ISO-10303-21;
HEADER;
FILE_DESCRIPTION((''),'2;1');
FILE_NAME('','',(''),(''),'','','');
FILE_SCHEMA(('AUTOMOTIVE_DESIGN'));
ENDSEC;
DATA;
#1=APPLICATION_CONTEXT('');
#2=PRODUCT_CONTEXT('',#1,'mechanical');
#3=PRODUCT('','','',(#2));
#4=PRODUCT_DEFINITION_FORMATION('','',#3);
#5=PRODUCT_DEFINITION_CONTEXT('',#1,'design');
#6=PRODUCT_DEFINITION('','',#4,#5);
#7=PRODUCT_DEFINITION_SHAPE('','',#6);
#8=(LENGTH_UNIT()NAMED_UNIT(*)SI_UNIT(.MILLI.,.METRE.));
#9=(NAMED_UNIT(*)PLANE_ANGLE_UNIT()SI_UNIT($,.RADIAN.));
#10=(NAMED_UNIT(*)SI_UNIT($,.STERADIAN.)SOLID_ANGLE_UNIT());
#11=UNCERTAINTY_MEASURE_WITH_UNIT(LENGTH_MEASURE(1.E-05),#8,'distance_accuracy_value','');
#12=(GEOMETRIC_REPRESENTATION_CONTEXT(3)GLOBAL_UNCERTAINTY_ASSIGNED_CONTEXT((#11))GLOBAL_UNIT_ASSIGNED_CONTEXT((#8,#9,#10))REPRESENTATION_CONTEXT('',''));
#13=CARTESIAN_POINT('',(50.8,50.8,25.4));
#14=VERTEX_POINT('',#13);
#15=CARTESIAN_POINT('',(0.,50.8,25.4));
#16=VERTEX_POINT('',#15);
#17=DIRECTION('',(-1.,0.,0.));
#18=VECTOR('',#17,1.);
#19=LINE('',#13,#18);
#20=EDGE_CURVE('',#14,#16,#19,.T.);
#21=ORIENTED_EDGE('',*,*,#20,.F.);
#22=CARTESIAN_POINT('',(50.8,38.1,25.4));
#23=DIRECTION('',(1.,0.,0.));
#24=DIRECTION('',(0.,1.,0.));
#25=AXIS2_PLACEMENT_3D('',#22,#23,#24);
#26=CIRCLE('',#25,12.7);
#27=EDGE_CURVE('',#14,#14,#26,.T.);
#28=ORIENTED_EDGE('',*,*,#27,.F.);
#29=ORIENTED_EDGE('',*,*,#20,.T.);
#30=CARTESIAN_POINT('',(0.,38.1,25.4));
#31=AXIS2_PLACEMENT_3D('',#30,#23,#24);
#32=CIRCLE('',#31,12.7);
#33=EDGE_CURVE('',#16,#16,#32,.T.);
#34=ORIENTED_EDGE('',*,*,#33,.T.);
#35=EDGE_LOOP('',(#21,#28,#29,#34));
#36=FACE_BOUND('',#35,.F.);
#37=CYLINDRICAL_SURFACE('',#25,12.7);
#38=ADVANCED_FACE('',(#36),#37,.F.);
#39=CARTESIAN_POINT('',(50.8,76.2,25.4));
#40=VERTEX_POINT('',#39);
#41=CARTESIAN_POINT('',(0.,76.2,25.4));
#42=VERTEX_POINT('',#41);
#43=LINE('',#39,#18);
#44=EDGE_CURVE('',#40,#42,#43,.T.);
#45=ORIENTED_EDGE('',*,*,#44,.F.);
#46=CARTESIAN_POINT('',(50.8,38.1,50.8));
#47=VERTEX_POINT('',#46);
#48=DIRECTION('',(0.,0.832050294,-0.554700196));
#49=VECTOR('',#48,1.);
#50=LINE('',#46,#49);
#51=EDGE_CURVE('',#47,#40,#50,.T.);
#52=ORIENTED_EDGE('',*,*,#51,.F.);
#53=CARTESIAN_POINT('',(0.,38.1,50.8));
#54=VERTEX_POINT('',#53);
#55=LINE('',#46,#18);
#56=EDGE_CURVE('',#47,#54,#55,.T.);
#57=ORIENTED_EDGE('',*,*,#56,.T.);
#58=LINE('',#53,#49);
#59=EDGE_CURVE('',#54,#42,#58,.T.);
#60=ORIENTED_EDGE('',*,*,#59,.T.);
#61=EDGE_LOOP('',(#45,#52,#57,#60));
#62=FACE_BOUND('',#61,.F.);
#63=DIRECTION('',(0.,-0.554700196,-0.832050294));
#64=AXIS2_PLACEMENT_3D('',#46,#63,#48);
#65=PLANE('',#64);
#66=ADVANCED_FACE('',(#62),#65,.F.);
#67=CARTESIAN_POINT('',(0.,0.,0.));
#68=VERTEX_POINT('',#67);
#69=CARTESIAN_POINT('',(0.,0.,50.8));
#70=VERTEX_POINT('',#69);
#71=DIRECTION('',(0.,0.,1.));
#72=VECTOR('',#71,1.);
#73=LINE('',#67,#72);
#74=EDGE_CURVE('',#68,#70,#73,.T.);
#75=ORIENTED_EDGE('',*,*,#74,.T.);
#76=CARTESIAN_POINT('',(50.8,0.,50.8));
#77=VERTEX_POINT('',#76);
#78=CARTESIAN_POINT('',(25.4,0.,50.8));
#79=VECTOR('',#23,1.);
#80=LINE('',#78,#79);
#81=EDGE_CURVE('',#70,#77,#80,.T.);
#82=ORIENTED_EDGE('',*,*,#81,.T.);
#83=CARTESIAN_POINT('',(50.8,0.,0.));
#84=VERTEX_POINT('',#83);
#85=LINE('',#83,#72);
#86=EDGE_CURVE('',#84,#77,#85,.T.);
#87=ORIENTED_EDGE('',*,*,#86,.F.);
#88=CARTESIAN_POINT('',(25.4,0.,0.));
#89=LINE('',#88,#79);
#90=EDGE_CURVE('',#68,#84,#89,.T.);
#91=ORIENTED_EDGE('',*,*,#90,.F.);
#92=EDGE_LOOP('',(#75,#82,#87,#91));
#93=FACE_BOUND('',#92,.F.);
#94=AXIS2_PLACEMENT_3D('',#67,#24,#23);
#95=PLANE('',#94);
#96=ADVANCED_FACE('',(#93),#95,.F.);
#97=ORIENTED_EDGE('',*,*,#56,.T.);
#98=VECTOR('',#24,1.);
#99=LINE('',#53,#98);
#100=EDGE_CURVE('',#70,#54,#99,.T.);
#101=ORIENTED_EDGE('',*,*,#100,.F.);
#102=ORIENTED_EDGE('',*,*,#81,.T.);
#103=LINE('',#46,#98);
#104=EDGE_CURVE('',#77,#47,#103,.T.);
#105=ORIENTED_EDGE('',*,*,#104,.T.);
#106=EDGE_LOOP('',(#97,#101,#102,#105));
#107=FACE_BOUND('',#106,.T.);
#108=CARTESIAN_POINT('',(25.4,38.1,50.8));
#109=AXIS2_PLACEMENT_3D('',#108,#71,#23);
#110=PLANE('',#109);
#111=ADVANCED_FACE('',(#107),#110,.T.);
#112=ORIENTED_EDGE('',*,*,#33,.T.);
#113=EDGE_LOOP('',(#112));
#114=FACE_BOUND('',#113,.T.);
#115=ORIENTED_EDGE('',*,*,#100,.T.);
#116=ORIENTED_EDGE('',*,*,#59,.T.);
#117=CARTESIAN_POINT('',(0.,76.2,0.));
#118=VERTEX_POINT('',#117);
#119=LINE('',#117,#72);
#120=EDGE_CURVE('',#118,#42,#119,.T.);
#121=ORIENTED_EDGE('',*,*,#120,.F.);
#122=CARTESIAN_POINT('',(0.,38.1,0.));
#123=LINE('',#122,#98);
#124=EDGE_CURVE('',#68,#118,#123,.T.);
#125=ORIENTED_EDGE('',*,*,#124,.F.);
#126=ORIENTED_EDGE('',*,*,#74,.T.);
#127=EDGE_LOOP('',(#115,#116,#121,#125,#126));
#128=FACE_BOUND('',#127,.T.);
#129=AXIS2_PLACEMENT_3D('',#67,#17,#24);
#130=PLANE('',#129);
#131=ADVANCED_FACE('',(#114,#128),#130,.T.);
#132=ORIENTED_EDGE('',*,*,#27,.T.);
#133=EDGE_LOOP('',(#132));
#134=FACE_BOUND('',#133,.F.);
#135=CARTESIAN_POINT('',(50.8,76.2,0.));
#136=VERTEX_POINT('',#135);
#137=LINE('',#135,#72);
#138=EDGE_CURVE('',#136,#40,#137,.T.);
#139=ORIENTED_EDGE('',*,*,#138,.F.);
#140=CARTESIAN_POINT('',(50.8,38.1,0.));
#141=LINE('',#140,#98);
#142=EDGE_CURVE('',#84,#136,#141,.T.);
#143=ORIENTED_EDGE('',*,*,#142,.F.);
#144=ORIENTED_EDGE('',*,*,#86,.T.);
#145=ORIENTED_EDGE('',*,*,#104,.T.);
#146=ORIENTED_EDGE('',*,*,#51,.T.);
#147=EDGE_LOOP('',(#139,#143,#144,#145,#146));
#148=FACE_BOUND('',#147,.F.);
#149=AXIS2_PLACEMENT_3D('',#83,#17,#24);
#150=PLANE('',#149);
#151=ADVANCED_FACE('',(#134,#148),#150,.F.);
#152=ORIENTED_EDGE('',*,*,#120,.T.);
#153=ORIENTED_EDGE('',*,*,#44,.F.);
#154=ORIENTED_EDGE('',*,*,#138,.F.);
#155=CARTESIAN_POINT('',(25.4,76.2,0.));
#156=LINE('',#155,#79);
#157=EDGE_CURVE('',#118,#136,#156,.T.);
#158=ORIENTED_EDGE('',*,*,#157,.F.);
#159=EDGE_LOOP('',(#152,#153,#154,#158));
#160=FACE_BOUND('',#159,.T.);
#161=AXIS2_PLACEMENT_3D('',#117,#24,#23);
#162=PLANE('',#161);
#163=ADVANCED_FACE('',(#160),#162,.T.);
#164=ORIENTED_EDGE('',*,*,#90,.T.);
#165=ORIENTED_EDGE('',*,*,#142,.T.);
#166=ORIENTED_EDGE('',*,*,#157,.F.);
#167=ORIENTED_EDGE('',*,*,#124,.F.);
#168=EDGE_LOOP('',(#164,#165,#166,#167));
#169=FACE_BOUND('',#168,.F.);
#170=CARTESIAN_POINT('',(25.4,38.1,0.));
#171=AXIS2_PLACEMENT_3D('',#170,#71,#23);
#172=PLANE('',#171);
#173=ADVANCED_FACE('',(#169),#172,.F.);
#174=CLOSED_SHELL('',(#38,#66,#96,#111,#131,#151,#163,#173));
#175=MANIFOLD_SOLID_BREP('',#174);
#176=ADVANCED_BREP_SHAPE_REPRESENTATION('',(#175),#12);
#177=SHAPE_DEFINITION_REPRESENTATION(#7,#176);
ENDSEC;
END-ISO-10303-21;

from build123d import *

# Parameters (mm, degrees)
F0_W     = 50.8
F0_H     = 76.2
F1_DEPTH = 50.8
F2_R     = 12.7
F3_DEPTH = 50.8
F5_DEPTH = 50.8


with BuildPart() as f1:
    # F0 (on Top) → F1 (new body)
    with BuildSketch(Plane.XY):
        with Locations((25.4, 38.1)):
            Rectangle(F0_W, F0_H)
    extrude(amount=F1_DEPTH)

    # F2 (on face) → F3 (cut, through all)
    with BuildSketch(Plane.YZ.offset(50.8)):
        with Locations((38.1, 25.4)):
            Circle(F2_R)
    extrude(amount=-F3_DEPTH, mode=Mode.SUBTRACT)

    # F4 (on face) → F5 (cut, through all)
    with BuildSketch(Plane.YZ.offset(50.8)):
        Polygon((76.2, 50.8), (38.1, 50.8), (76.2, 25.4), align=None)
    extrude(amount=-F5_DEPTH, mode=Mode.SUBTRACT)


solid = f1.part
